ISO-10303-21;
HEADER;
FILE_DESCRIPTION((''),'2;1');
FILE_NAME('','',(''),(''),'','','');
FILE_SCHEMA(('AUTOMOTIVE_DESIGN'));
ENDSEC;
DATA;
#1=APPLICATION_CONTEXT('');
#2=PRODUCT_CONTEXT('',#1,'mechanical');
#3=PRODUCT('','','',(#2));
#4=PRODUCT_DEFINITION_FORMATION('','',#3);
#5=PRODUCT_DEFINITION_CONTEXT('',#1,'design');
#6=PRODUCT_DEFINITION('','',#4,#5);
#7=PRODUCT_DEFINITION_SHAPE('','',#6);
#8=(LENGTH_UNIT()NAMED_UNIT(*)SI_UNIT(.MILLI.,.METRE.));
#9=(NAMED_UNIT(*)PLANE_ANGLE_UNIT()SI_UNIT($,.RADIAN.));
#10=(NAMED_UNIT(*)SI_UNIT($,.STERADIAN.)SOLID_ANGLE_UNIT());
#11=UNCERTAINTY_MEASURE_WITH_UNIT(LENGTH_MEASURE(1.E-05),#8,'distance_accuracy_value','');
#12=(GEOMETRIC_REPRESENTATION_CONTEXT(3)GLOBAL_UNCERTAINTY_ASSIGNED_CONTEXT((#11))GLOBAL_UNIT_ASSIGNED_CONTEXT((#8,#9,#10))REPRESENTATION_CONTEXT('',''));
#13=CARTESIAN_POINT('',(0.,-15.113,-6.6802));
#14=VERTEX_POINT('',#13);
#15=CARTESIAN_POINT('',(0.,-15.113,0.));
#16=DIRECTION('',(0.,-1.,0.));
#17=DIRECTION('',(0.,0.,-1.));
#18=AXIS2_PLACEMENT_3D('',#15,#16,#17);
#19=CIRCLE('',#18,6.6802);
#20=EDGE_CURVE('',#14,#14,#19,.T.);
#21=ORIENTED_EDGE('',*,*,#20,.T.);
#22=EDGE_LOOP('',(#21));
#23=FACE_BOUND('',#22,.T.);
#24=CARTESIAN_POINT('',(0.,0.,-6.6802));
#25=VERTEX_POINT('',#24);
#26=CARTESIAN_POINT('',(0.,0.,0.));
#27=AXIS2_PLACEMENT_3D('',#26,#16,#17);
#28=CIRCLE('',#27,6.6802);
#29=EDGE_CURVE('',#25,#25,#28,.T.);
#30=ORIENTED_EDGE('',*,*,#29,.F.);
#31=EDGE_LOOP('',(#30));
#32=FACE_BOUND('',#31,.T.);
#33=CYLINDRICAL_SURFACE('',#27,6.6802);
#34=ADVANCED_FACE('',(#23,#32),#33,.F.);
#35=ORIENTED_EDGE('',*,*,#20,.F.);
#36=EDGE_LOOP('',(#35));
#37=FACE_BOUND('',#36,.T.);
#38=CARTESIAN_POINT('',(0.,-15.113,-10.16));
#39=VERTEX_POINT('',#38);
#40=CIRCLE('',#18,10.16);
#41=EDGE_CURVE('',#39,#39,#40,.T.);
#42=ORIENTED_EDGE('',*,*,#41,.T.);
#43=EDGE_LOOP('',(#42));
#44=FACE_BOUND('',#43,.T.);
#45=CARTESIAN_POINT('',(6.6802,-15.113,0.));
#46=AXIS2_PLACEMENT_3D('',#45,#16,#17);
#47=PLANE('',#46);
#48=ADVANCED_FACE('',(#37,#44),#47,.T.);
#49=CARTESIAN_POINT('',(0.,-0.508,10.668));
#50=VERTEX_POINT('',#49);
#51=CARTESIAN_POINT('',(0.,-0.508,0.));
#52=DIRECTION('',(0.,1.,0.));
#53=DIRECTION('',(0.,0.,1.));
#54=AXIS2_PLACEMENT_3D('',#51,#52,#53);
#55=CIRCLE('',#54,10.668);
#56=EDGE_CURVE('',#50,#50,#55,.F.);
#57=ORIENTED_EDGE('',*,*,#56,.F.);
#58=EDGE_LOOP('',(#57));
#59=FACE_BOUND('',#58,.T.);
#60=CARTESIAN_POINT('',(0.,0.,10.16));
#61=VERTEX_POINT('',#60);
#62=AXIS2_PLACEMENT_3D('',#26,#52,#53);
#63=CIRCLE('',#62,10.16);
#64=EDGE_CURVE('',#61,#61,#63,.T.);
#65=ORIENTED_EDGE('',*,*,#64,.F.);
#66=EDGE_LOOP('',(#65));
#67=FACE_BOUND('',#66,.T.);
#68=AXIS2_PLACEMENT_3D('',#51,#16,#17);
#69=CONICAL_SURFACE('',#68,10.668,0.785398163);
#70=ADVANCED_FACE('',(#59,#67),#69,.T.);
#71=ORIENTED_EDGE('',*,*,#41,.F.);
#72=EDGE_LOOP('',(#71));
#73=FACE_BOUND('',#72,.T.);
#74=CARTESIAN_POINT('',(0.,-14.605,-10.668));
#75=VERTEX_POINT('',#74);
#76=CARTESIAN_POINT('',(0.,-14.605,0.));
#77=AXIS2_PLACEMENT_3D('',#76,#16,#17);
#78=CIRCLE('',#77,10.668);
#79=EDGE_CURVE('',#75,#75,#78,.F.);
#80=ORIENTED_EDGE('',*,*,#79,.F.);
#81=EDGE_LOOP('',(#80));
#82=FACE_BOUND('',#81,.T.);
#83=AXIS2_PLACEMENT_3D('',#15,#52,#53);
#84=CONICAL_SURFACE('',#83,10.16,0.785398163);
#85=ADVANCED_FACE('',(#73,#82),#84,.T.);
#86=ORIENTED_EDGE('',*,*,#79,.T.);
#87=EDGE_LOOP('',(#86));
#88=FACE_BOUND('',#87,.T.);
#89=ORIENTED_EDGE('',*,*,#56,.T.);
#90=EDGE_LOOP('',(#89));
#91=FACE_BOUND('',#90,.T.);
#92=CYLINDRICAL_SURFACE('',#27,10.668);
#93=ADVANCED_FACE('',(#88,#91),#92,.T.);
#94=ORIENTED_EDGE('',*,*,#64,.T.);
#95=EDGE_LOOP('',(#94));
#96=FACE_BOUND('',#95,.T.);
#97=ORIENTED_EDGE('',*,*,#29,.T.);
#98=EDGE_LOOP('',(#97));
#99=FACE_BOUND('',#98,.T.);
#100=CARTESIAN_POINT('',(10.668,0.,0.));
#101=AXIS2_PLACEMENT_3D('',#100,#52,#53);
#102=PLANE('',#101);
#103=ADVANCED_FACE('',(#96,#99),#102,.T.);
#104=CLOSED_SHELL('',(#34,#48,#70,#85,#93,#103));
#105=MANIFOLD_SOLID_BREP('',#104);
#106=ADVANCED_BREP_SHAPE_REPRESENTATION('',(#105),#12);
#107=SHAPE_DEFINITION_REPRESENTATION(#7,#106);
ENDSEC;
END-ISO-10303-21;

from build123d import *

# Parameters (mm, degrees)
SKETCH1_W     = 3.9878
SKETCH1_H     = 15.113
CHAMFER1_SIZE = 0.508


with BuildPart() as part:
    # Sketch1 → Revolve1 (revolve)
    with BuildSketch(Plane.XY):
        with Locations((8.6741, -7.5565)):
            Rectangle(SKETCH1_W, SKETCH1_H)
    revolve(axis=Axis((0, 0, 0), (0, -1, 0)))

    # Chamfer1
    chamfer1_edges = [part.edges().sort_by_distance(p)[0] for p in [
        (-10.668, -15.113, 0),
        (-10.668, 0, 0),
    ]]
    chamfer(chamfer1_edges, length=CHAMFER1_SIZE)


solid = part.part
